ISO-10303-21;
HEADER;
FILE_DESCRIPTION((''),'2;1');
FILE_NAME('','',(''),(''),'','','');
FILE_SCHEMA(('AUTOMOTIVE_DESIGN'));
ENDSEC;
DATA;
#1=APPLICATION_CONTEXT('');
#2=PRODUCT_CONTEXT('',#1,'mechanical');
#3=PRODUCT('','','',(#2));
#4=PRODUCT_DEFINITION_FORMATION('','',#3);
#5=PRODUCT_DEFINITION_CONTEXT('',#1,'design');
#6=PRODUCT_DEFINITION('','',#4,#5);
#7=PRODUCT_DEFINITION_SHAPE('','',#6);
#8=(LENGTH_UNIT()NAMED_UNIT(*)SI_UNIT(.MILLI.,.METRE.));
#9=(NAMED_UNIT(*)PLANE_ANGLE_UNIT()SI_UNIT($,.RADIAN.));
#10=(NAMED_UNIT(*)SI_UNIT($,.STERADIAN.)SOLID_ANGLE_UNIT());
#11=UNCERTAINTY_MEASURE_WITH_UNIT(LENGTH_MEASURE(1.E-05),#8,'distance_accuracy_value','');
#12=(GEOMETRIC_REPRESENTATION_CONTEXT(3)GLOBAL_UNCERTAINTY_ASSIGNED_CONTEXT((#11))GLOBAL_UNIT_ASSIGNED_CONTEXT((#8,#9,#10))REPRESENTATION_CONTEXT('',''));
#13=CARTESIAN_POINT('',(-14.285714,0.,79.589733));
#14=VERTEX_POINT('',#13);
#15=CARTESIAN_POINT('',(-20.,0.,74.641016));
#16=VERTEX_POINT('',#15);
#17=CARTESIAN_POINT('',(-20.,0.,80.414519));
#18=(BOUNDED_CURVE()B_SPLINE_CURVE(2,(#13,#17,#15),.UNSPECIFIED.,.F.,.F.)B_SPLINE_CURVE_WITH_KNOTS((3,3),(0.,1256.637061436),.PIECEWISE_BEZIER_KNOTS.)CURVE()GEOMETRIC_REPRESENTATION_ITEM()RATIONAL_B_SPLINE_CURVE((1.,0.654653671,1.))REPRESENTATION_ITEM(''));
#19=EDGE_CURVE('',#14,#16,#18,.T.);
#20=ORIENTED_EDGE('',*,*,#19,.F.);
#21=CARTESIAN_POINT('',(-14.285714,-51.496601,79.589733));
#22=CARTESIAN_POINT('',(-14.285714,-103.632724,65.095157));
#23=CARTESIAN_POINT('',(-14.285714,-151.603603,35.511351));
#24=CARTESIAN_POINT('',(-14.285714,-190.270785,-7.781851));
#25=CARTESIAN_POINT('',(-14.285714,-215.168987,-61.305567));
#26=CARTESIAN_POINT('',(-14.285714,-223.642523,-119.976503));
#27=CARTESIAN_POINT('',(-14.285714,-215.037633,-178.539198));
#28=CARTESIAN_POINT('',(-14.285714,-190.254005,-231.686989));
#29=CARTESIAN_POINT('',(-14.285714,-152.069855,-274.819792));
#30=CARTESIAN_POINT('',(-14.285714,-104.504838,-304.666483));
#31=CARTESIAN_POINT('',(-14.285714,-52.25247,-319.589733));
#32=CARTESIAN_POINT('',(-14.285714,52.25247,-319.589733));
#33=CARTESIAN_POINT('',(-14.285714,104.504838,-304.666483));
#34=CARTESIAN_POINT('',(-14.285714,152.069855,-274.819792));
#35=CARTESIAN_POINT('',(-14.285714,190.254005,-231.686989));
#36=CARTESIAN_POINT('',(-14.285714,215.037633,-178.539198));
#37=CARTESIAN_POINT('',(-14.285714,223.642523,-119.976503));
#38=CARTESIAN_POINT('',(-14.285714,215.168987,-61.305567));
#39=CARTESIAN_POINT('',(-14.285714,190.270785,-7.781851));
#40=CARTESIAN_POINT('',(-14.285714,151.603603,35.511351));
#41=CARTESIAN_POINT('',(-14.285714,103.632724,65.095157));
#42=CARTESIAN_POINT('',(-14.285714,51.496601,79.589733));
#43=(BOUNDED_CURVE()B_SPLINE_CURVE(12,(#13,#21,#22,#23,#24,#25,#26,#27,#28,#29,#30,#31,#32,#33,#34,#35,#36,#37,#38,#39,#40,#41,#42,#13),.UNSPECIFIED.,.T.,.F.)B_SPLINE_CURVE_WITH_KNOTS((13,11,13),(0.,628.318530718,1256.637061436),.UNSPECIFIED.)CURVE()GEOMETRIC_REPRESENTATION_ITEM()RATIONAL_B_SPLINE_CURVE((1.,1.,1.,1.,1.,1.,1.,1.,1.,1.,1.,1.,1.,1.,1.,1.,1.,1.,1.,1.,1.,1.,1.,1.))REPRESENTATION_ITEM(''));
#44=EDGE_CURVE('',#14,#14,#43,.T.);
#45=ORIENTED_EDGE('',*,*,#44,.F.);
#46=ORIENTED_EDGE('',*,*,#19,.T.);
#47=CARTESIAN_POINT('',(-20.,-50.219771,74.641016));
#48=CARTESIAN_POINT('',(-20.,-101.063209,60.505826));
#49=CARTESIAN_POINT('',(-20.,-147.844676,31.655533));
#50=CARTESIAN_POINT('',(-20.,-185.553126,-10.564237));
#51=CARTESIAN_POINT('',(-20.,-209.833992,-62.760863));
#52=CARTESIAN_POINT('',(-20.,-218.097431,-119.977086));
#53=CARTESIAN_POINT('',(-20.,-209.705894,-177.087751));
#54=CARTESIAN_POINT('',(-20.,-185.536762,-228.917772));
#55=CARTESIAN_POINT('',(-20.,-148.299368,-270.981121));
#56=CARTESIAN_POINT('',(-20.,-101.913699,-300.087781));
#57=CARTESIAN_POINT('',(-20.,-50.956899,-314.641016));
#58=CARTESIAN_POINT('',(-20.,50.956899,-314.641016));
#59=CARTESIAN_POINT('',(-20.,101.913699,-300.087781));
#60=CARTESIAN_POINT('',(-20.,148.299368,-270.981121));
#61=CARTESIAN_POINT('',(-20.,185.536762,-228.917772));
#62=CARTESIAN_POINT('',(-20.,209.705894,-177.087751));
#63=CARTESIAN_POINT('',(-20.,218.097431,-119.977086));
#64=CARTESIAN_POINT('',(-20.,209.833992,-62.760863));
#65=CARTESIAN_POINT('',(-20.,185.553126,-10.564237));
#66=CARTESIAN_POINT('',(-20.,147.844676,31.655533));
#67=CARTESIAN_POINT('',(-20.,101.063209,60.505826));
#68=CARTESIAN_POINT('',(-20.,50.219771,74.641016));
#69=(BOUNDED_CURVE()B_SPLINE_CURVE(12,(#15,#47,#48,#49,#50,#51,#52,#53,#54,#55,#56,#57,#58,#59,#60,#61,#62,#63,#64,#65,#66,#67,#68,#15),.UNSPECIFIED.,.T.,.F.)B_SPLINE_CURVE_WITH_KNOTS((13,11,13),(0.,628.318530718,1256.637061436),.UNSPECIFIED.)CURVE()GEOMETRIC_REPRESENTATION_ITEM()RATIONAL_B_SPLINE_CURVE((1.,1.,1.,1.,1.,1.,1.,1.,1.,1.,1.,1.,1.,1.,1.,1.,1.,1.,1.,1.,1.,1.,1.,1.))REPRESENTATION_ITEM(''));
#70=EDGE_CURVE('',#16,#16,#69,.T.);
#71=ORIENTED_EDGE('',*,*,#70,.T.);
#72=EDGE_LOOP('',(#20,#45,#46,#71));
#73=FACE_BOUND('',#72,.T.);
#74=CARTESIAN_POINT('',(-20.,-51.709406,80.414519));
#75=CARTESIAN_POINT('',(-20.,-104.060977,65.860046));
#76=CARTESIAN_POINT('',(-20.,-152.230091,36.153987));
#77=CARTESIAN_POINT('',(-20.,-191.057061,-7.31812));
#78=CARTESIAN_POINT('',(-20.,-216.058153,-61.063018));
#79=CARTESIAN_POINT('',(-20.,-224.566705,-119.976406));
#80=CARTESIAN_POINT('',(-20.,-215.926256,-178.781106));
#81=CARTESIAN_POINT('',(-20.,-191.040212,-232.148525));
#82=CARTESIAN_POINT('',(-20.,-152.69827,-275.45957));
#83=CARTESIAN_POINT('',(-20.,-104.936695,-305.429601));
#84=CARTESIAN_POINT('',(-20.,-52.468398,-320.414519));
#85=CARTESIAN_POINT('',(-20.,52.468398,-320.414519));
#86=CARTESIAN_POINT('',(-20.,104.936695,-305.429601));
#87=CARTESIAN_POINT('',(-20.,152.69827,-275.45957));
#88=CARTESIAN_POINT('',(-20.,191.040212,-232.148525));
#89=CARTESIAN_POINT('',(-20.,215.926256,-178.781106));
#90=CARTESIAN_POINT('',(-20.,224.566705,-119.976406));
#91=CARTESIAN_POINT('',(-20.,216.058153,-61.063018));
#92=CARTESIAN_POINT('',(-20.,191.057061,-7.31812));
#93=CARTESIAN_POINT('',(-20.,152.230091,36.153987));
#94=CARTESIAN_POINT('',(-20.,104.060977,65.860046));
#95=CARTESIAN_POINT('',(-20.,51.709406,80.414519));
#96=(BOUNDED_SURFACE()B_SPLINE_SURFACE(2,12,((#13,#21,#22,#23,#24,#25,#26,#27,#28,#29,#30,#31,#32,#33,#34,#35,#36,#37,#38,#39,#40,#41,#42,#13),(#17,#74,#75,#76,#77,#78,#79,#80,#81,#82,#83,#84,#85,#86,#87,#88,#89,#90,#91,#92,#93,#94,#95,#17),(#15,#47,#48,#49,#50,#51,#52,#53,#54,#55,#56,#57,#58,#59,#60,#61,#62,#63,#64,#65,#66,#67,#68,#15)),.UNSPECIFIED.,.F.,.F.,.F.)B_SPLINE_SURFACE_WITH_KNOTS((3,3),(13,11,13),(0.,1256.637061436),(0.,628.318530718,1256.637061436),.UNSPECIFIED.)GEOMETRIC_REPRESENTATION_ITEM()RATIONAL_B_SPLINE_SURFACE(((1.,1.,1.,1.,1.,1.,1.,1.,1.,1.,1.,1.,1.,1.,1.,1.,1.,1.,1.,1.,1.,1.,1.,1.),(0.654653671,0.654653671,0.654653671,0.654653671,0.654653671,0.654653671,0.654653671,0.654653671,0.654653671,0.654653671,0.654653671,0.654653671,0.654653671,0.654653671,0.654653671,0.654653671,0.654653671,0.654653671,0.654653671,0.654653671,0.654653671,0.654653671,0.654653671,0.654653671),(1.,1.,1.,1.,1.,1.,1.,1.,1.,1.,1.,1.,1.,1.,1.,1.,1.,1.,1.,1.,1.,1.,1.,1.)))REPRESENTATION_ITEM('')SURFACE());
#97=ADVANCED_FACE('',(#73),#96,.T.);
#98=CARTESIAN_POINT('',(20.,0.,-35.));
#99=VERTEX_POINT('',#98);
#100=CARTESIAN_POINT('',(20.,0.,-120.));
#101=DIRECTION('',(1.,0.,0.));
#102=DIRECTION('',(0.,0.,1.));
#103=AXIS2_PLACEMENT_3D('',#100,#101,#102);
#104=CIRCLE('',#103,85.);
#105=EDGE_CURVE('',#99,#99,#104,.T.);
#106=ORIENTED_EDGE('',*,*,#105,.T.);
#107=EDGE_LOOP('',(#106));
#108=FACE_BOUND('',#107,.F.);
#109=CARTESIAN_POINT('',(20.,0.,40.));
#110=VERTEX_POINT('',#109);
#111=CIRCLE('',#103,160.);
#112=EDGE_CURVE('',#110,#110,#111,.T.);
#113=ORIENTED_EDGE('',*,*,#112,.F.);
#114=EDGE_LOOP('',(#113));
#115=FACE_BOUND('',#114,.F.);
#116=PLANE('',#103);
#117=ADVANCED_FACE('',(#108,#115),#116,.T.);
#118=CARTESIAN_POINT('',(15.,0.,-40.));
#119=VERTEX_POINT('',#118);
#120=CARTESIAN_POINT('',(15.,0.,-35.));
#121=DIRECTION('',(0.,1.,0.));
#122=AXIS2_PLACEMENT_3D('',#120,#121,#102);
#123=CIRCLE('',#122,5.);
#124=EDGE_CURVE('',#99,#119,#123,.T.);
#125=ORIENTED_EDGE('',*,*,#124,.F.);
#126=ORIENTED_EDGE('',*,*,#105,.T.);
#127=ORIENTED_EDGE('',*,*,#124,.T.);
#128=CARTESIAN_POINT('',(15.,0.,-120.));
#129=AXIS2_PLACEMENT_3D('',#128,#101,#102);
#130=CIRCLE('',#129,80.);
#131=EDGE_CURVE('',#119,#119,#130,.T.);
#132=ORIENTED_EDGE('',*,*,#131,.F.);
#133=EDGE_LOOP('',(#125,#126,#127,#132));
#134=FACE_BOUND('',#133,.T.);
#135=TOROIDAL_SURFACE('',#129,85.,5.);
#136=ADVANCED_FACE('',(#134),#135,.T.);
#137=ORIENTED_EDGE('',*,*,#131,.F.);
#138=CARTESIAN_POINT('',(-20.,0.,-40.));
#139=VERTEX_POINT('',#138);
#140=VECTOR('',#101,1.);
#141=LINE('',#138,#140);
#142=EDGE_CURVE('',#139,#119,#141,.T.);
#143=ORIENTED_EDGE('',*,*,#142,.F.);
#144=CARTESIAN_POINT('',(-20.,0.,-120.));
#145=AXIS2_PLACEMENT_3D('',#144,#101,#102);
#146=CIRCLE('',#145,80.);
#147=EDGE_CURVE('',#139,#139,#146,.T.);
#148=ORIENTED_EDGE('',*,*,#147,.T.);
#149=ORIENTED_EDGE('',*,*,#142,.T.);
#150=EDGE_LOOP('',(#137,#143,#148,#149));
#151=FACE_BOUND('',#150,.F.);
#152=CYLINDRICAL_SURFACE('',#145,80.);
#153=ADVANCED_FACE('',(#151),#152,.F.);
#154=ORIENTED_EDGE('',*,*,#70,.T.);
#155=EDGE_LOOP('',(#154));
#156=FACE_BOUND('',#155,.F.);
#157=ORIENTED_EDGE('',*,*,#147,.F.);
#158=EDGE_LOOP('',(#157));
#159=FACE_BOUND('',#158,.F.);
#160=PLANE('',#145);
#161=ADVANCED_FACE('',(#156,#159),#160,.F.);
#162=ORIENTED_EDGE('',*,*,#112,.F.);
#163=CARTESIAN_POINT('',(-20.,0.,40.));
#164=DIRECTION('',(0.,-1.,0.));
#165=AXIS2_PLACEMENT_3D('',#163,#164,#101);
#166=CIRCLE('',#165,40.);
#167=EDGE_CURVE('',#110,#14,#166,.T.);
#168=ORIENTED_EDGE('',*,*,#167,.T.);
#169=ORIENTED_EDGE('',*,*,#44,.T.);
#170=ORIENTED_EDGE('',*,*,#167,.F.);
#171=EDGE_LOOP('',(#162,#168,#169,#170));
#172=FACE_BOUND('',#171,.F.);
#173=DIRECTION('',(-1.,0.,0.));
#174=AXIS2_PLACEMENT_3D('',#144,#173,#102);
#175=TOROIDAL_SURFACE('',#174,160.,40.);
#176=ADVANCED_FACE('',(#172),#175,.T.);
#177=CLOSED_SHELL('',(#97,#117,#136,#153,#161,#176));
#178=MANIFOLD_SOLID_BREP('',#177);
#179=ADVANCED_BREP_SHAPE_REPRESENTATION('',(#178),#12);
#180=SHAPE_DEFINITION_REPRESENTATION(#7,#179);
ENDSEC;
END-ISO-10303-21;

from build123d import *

# Parameters (mm, degrees)
F2_R = 5
F3_R = 5


with BuildPart() as f1:
    # F0 (on Front) → F1 (revolve)
    with BuildSketch(Plane.XZ):
        with BuildLine():
            Line((-20, 40), (-20, -40))
            Line((-20, -40), (20, -40))
            Line((20, -40), (20, 40))
            ThreePointArc((20, 40), (8.2842712475, 68.2842712475), (-20, 80))
            Line((-20, 80), (-20, 40))
        make_face()
    revolve(axis=Axis((15.3097613019, 0, -120), (1, 0, 0)))

    # F2
    f2_edges = [f1.edges().sort_by_distance(p)[0] for p in [
        (-20, 0, -320),
    ]]
    fillet(f2_edges, radius=F2_R)

    # F3
    f3_edges = [f1.edges().sort_by_distance(p)[0] for p in [
        (20, 0, -200),
    ]]
    fillet(f3_edges, radius=F3_R)


solid = f1.part
